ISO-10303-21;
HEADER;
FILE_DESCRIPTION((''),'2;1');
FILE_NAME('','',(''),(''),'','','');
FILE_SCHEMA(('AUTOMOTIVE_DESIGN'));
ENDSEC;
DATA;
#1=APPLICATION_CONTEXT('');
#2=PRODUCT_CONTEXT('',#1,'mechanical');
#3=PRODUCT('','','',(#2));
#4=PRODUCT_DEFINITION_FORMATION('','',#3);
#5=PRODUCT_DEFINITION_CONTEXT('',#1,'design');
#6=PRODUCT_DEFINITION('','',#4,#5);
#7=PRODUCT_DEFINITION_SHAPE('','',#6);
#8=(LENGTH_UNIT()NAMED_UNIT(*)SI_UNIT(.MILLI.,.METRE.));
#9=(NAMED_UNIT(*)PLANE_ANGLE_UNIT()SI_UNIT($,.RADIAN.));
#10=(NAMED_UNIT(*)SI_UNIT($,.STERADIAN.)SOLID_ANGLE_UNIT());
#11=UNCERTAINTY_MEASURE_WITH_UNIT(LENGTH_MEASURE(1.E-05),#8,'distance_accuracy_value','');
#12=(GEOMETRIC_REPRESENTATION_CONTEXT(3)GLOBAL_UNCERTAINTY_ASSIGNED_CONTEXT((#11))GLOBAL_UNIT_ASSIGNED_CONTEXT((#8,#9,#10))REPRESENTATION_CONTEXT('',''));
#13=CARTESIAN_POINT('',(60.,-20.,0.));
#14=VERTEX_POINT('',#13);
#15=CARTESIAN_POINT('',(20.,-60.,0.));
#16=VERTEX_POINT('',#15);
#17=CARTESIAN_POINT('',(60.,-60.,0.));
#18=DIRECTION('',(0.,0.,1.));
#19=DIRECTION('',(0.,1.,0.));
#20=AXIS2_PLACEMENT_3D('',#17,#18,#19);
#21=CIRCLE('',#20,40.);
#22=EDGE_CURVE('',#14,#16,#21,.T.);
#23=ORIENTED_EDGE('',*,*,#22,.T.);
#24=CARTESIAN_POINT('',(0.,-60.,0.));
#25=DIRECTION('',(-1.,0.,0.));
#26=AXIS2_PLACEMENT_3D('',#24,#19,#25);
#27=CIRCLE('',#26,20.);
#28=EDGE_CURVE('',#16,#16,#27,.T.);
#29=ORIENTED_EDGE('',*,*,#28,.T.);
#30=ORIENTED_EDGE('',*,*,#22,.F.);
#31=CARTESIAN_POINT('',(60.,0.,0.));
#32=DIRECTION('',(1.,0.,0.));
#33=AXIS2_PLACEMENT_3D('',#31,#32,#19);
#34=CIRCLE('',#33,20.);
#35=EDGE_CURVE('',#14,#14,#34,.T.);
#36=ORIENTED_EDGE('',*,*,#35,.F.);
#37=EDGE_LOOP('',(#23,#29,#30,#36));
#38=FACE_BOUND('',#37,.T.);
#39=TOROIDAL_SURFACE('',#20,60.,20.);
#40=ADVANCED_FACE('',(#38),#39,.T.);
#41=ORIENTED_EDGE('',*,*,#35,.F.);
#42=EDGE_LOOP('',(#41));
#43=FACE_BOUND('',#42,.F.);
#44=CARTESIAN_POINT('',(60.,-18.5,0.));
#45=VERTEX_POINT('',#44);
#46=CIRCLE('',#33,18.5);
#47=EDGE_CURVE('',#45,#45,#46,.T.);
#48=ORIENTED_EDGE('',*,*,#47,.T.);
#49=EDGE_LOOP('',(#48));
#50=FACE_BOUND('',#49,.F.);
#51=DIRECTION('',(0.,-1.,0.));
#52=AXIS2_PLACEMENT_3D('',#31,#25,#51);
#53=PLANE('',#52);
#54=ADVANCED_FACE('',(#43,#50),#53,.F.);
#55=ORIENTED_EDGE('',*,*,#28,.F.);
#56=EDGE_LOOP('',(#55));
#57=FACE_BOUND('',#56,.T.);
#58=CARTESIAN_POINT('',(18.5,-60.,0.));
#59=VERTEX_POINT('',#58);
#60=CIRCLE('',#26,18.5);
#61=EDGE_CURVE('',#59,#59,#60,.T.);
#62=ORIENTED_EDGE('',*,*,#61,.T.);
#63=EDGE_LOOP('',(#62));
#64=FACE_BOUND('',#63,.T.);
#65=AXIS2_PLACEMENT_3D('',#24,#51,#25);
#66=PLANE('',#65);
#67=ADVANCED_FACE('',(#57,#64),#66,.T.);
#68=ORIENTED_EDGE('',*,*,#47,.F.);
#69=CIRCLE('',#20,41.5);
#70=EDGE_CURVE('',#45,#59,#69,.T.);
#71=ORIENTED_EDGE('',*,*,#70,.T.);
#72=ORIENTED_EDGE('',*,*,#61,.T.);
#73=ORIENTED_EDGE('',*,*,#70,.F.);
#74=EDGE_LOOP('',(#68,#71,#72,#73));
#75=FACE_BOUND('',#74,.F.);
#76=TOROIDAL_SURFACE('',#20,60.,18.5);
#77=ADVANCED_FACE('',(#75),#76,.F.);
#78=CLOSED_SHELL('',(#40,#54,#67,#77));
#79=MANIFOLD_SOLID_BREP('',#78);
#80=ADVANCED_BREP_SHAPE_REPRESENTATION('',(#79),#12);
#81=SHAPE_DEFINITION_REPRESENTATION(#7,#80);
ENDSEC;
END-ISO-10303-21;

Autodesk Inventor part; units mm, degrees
ref_plane "YZ Plane" through (0, 0, 0) normal (1, 0, 0) x (0, 1, 0)
ref_plane "XZ Plane" through (0, 0, 0) normal (0, 1, 0) x (-1, 0, 0)
sketch "Szkic6" plane through (0, 0, 0) normal (0, 0, 1) x (1, 0, 0)
  line L0 (-29.6067, 0) -> (35.2678, 0) construction
  line L1 (0, 42.3419) -> (0, -58.3726) construction
  arc A0 (60, 0) -> (0, -60) centre (60, -60) ccw
  line L2 (0, -60) -> (60, -60) construction
  line L3 (60, -60) -> (60, 5.5331) construction
  line L4 (60, 0) -> (60, 0)
  line L5 (0, -60) -> (0, -60)
  point P0 (0, 0)
  dimension "d24" = 60
  dimension "d31" = 90
  dimension "d36" = 0
  dimension "d37" = 0
ref_plane "Płaszczyzna konstrukcyjna2" through (0, -60, 0) normal (0, -1, 0) x (1, 0, 0)
sketch "Szkic8" plane through (0, -60, 0) normal (0, -1, 0) x (1, 0, 0)
  circle A0 centre (0, 0) radius 20
  circle A1 centre (0, 0) radius 18.5
  dimension "d32" = 40
  dimension "d33" = 1.5
sweep "Przeciągnięcie2" add profiles "Szkic8" path "Szkic6"
equation "\"d32\" = OD"
equation "\"d33\" = THK"
equation "\"d24\" = R"
equation "\"d31\" = KAT"
equation "\"SzerokośćGięciaPodcięcia\" = Grubość"
equation "\"RozmiarPodcięciaNarożnika\" = 4 * Grubość"
equation "\"PromieńPrzejścia\" = PromieńGięcia"
equation "\"Rozmiar_promienia_Jacobiego\" = PromieńGięcia"
equation "\"Wielk_odstępu\" = Grubość"
equation "\"d2\" = PromieńGięcia"
equation "\"d23\" = PromieńGięcia"
equation "\"R\" = 60"
equation "\"OD\" = 40"
equation "\"THK\" = 1.5"
equation "\"KAT\" = 90deg"
equation "\"PROSTKA\" = 0"
equation "\"Grubość\" = 1.5"
equation "\"PromieńGięcia\" = 3"
properties part number "Kolano 90° ø40x1,5 R60" material "304L"
